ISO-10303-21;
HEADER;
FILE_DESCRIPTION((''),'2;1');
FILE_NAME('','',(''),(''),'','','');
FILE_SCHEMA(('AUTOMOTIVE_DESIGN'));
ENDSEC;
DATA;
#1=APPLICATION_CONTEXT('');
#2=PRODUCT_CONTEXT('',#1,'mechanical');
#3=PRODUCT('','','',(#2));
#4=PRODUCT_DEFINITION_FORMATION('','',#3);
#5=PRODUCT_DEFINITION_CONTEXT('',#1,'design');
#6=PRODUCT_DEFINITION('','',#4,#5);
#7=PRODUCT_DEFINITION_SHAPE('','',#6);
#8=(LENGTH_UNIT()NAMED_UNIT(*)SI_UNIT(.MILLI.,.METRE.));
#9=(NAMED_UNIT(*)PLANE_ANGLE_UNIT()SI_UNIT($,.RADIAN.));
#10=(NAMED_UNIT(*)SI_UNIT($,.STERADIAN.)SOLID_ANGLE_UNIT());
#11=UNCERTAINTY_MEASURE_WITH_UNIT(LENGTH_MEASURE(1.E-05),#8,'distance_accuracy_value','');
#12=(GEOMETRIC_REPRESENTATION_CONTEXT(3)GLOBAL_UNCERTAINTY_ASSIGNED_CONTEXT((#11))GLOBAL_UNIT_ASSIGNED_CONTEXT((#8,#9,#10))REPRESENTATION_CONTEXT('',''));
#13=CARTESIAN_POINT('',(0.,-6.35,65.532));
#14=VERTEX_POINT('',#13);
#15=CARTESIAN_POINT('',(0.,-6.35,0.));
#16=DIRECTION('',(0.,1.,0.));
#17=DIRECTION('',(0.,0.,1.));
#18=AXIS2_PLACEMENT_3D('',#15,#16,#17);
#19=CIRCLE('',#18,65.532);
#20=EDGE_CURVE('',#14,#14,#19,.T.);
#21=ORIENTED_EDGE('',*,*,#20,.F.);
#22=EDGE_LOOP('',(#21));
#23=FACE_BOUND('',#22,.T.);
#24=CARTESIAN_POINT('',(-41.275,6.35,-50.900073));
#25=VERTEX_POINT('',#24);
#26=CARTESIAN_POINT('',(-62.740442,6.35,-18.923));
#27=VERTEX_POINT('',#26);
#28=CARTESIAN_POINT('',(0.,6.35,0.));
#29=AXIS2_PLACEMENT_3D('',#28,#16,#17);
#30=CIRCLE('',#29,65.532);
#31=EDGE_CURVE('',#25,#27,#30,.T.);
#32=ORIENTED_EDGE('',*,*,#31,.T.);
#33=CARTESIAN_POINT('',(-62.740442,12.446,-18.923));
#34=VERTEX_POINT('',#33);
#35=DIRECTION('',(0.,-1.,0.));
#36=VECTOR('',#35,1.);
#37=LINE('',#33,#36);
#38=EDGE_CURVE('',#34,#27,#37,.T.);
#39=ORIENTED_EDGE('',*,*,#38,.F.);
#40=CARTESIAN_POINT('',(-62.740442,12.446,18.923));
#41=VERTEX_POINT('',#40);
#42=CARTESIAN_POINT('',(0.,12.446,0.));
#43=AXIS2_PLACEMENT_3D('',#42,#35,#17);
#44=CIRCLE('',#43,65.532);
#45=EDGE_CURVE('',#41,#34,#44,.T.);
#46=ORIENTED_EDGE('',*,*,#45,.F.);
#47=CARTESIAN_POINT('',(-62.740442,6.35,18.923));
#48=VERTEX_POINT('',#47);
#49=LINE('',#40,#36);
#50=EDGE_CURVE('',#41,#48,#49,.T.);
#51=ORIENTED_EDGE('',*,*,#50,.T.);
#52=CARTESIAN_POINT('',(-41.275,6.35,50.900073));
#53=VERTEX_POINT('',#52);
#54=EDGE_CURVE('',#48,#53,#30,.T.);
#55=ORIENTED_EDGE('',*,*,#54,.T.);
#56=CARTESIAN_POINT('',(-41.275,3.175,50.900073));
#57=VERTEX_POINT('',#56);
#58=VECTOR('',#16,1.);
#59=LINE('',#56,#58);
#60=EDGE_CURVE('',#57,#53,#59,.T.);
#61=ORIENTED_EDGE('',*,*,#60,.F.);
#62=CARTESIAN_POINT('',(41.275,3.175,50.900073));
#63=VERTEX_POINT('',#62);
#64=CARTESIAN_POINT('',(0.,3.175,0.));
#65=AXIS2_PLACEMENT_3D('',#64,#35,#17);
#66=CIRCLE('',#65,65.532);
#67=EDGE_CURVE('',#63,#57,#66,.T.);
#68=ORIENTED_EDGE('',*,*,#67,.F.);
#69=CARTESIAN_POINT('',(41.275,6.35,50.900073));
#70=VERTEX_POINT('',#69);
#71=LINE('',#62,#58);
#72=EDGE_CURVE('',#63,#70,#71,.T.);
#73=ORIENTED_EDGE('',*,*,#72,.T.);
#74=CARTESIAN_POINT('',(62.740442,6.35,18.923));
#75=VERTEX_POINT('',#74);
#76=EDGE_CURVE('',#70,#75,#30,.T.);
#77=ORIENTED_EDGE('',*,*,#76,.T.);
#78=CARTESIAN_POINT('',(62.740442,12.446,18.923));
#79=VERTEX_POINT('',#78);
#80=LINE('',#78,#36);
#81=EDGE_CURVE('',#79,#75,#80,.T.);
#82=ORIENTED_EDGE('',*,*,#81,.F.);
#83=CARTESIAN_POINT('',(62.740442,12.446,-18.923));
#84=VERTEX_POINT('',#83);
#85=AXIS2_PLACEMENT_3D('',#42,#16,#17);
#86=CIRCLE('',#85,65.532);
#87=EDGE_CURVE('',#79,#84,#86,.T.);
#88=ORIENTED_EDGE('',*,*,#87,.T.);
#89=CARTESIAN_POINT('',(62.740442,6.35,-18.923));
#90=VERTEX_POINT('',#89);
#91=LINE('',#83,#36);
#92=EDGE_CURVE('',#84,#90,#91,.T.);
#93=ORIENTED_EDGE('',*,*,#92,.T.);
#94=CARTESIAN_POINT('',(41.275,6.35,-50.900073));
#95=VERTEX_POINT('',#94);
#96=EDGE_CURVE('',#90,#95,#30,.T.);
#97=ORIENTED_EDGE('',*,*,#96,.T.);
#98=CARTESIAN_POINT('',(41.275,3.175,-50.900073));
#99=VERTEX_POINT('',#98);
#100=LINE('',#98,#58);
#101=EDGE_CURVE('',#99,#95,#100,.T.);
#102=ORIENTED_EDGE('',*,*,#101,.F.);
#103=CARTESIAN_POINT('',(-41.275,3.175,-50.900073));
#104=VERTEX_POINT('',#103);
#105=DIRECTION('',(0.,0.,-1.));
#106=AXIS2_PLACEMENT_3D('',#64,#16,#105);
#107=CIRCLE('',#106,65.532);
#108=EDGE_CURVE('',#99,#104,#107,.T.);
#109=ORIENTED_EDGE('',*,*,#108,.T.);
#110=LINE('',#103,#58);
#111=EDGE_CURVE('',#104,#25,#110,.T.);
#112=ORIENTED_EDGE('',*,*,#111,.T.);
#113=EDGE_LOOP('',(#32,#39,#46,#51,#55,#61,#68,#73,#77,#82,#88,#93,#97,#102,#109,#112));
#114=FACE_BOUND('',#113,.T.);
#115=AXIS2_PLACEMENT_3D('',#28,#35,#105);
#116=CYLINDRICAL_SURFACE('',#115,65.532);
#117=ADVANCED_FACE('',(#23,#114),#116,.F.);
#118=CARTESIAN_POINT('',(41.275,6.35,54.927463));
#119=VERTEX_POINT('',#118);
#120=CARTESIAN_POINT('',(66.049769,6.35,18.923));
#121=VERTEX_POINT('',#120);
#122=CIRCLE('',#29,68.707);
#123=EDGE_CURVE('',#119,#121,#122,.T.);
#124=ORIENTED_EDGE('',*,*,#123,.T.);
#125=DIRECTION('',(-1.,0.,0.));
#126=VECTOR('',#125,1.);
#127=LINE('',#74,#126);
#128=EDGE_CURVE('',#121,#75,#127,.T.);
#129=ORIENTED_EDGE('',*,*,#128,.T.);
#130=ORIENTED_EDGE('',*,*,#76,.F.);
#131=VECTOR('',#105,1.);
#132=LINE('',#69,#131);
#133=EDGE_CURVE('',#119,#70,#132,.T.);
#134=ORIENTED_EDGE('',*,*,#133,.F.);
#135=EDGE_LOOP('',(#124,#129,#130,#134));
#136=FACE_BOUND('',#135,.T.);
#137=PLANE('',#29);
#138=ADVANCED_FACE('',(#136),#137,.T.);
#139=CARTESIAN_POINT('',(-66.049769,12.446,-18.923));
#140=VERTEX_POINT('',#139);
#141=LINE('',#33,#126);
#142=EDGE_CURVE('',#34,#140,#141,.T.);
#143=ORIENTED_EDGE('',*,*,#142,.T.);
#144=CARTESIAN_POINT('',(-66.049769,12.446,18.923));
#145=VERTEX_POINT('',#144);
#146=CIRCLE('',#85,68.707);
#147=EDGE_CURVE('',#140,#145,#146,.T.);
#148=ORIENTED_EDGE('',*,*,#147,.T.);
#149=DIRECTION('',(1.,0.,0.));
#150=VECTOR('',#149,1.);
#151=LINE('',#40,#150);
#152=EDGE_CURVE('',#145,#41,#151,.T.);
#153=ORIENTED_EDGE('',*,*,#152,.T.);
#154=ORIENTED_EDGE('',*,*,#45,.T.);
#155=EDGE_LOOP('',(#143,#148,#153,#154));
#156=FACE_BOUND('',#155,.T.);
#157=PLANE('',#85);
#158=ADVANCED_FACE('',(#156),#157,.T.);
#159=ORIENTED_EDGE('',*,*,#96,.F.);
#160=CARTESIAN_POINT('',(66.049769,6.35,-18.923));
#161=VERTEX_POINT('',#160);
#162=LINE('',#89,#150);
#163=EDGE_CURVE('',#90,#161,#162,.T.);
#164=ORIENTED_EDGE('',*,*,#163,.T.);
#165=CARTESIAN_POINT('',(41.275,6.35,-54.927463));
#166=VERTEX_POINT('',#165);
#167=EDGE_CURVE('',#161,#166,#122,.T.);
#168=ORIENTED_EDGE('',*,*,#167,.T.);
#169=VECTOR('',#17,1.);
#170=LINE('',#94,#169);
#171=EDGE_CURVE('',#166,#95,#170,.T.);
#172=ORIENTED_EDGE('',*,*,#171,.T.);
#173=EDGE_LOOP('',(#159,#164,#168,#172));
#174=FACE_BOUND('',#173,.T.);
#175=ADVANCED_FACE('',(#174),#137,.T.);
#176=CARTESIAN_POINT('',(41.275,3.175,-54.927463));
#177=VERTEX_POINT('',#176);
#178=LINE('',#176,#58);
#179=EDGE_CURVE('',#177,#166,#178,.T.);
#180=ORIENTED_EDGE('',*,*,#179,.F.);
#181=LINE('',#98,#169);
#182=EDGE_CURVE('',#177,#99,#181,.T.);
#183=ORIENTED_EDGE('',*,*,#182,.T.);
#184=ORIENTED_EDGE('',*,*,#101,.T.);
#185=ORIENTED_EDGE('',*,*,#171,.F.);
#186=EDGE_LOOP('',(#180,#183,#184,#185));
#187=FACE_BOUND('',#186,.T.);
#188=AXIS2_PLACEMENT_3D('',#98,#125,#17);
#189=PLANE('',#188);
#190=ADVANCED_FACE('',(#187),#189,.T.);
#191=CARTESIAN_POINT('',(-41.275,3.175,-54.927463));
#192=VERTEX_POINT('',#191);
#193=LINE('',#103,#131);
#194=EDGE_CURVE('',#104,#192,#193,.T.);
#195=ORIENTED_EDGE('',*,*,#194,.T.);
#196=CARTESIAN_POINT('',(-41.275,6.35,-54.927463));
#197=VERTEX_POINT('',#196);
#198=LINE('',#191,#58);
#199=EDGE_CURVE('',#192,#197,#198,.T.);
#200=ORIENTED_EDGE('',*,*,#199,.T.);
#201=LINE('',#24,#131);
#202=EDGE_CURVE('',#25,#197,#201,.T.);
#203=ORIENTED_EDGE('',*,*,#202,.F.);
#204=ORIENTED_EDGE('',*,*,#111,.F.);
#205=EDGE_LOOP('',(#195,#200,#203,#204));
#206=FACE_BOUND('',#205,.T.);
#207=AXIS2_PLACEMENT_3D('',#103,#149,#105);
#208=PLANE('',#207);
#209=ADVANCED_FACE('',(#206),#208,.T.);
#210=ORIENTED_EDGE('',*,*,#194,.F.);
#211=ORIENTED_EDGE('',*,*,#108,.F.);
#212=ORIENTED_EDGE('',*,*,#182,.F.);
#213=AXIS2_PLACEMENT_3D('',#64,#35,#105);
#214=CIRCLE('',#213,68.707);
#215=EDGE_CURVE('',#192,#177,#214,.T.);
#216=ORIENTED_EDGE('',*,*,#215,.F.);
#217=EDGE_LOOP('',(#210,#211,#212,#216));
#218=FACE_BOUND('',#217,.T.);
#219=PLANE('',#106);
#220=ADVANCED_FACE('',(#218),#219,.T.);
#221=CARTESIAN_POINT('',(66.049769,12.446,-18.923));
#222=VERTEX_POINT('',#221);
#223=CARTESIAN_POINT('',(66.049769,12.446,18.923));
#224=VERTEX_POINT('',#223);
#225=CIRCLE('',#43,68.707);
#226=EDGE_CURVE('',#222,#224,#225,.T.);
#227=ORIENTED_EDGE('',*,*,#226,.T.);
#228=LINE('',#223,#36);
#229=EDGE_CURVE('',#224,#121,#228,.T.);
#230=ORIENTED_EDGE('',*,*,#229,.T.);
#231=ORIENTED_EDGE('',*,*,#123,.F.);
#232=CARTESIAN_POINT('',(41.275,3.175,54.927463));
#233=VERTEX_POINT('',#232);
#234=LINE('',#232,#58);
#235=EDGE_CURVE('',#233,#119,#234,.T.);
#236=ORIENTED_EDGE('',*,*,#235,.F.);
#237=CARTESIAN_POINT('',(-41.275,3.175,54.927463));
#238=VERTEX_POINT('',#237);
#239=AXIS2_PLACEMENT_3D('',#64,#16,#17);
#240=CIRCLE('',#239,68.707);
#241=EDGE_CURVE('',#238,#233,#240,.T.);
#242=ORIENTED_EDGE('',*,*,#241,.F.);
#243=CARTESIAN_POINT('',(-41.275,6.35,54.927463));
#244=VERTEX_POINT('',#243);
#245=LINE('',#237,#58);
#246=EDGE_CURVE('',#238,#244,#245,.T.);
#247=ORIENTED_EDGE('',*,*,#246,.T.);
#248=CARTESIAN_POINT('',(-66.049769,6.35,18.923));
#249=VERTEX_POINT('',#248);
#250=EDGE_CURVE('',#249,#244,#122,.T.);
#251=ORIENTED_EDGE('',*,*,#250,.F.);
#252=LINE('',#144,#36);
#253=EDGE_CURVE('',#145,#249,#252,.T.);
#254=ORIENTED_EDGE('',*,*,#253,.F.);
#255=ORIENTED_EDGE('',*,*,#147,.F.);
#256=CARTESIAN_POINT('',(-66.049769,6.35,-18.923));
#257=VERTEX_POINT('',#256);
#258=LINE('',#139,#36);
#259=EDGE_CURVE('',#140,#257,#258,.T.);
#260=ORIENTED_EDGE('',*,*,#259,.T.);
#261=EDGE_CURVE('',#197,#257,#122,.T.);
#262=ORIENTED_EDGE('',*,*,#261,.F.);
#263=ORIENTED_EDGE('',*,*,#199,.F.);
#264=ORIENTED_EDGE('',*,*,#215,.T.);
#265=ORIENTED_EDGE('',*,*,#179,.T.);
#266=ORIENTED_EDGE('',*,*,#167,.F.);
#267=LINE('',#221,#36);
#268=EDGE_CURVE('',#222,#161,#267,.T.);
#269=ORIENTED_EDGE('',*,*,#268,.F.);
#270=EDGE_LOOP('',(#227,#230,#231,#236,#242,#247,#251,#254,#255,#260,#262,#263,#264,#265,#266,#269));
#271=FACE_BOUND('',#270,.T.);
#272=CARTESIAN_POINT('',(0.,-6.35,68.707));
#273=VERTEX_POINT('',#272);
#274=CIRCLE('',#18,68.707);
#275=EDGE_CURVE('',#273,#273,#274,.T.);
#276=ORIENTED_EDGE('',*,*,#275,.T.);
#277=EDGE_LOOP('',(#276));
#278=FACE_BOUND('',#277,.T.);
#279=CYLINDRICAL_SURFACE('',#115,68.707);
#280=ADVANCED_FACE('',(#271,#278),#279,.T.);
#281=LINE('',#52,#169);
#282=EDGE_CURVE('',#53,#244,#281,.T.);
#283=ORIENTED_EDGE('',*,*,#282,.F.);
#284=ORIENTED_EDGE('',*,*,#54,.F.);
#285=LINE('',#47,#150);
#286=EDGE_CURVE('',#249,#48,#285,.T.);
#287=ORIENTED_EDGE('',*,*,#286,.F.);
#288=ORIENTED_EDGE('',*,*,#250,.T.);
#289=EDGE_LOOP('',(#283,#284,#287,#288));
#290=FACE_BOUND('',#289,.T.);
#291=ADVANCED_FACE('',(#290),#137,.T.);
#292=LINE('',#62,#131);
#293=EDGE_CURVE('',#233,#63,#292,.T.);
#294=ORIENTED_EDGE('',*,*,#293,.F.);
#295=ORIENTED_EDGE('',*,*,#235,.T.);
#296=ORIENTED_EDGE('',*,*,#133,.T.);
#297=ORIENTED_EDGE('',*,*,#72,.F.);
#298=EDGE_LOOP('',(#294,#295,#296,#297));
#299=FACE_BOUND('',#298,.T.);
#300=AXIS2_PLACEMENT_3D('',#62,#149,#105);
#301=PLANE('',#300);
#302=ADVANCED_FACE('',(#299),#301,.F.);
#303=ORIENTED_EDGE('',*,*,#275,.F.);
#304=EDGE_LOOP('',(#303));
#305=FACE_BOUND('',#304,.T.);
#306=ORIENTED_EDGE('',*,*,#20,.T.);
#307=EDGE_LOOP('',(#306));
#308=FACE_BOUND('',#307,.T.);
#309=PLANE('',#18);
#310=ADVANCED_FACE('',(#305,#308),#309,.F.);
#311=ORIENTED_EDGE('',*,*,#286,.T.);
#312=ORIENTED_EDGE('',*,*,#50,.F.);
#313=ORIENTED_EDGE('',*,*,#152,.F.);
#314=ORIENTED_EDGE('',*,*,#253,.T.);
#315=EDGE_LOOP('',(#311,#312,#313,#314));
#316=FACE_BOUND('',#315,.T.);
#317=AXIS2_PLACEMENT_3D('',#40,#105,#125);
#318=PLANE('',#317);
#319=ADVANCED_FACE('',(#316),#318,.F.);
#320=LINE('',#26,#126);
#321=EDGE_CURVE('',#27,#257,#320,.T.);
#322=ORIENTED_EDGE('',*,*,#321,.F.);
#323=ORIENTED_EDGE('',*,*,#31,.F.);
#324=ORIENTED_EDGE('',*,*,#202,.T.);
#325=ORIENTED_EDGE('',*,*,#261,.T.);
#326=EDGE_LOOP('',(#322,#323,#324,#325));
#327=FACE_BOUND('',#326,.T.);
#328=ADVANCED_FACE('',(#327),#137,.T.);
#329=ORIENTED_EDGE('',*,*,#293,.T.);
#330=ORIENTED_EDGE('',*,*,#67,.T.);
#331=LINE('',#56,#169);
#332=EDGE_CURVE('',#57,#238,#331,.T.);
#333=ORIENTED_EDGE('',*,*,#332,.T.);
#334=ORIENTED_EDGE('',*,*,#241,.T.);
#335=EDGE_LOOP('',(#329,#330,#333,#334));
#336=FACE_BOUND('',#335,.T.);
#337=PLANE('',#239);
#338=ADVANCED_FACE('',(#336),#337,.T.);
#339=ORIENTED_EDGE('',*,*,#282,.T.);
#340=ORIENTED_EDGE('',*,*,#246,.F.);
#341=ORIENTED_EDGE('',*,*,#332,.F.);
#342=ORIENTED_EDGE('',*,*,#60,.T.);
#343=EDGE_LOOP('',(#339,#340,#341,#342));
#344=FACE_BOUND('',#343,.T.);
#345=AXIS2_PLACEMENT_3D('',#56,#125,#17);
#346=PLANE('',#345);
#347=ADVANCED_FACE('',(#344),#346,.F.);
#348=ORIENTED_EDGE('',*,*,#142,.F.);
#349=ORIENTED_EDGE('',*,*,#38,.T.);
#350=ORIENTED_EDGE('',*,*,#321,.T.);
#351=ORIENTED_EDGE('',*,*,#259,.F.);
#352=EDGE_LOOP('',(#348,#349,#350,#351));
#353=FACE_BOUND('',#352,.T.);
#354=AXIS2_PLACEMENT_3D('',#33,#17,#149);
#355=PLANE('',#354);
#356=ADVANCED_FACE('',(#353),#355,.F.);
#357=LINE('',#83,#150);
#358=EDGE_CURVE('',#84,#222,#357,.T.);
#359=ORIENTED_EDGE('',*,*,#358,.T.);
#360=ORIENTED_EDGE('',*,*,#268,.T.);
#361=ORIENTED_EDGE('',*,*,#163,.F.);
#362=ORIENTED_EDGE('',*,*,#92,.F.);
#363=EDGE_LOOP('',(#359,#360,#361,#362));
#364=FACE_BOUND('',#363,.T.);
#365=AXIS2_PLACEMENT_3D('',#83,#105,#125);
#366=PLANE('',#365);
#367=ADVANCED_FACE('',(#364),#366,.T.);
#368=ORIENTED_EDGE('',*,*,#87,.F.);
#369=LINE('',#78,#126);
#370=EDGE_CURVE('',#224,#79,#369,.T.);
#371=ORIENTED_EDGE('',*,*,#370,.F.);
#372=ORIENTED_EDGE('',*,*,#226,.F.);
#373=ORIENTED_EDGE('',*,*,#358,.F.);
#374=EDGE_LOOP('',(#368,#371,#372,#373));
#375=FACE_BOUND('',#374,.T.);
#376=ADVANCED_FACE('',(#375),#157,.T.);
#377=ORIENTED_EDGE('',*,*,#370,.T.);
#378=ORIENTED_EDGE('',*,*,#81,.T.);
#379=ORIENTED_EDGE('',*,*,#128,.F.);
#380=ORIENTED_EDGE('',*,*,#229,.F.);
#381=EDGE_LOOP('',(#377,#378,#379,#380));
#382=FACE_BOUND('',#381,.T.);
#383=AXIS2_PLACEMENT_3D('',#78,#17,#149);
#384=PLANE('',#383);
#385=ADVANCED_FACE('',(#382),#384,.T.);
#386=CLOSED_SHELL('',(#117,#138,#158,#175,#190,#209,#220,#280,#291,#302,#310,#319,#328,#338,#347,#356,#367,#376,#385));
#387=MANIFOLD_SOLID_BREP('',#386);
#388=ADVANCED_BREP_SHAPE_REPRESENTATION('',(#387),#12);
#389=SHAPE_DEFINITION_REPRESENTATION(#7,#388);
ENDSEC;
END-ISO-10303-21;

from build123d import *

# Parameters (mm, degrees)
SKETCH1_R           = 68.707
SKETCH1_R_2         = 65.532
BOSS_EXTRUDE1_DEPTH = 6.35
CUT_EXTRUDE1_DEPTH  = 3.175
BOSS_EXTRUDE2_DEPTH = 6.096


with BuildPart() as part:
    # Sketch1 → Boss-Extrude1 (new body, symmetric)
    with BuildSketch(Plane(origin=(0, 0, 0), x_dir=(1, 0, 0), z_dir=(0, 1, 0))):
        Circle(SKETCH1_R)
        Circle(SKETCH1_R_2, mode=Mode.SUBTRACT)
    extrude(amount=BOSS_EXTRUDE1_DEPTH, both=True)

    # Sketch2 → Cut-Extrude1 (cut)
    with BuildSketch(Plane(origin=(0, 6.35, 0), x_dir=(1, 0, 0), z_dir=(0, 1, 0))):
        with BuildLine():
            Line((-41.275, -50.900073), (-41.275, -54.927463))
            ThreePointArc((-41.275, -54.927463), (0, -68.707), (41.275, -54.927463))
            Line((41.275, -54.927463), (41.275, -50.900073))
            ThreePointArc((41.275, -50.900073), (0, -65.532), (-41.275, -50.900073))
        make_face()
    cut_extrude1 = extrude(amount=-CUT_EXTRUDE1_DEPTH, mode=Mode.SUBTRACT)

    # Mirror1: Cut-Extrude1 across plane
    add(cut_extrude1.mirror(Plane.XY), mode=Mode.SUBTRACT)

    # Sketch4 → Boss-Extrude2 (add)
    with BuildSketch(Plane(origin=(0, 6.35, 0), x_dir=(1, 0, 0), z_dir=(0, 1, 0))):
        with BuildLine():
            Line((-62.740442, 18.923), (-66.049769, 18.923))
            ThreePointArc((-66.049769, 18.923), (-68.707, 0), (-66.049769, -18.923))
            Line((-66.049769, -18.923), (-62.740442, -18.923))
            ThreePointArc((-62.740442, -18.923), (-65.532, 0), (-62.740442, 18.923))
        make_face()
    boss_extrude2 = extrude(amount=BOSS_EXTRUDE2_DEPTH)

    # Mirror3: Boss-Extrude2 across plane
    add(boss_extrude2.mirror(Plane(origin=(0, 0, 0), x_dir=(0, 0, 1), z_dir=(1, 0, 0))))


solid = part.part
